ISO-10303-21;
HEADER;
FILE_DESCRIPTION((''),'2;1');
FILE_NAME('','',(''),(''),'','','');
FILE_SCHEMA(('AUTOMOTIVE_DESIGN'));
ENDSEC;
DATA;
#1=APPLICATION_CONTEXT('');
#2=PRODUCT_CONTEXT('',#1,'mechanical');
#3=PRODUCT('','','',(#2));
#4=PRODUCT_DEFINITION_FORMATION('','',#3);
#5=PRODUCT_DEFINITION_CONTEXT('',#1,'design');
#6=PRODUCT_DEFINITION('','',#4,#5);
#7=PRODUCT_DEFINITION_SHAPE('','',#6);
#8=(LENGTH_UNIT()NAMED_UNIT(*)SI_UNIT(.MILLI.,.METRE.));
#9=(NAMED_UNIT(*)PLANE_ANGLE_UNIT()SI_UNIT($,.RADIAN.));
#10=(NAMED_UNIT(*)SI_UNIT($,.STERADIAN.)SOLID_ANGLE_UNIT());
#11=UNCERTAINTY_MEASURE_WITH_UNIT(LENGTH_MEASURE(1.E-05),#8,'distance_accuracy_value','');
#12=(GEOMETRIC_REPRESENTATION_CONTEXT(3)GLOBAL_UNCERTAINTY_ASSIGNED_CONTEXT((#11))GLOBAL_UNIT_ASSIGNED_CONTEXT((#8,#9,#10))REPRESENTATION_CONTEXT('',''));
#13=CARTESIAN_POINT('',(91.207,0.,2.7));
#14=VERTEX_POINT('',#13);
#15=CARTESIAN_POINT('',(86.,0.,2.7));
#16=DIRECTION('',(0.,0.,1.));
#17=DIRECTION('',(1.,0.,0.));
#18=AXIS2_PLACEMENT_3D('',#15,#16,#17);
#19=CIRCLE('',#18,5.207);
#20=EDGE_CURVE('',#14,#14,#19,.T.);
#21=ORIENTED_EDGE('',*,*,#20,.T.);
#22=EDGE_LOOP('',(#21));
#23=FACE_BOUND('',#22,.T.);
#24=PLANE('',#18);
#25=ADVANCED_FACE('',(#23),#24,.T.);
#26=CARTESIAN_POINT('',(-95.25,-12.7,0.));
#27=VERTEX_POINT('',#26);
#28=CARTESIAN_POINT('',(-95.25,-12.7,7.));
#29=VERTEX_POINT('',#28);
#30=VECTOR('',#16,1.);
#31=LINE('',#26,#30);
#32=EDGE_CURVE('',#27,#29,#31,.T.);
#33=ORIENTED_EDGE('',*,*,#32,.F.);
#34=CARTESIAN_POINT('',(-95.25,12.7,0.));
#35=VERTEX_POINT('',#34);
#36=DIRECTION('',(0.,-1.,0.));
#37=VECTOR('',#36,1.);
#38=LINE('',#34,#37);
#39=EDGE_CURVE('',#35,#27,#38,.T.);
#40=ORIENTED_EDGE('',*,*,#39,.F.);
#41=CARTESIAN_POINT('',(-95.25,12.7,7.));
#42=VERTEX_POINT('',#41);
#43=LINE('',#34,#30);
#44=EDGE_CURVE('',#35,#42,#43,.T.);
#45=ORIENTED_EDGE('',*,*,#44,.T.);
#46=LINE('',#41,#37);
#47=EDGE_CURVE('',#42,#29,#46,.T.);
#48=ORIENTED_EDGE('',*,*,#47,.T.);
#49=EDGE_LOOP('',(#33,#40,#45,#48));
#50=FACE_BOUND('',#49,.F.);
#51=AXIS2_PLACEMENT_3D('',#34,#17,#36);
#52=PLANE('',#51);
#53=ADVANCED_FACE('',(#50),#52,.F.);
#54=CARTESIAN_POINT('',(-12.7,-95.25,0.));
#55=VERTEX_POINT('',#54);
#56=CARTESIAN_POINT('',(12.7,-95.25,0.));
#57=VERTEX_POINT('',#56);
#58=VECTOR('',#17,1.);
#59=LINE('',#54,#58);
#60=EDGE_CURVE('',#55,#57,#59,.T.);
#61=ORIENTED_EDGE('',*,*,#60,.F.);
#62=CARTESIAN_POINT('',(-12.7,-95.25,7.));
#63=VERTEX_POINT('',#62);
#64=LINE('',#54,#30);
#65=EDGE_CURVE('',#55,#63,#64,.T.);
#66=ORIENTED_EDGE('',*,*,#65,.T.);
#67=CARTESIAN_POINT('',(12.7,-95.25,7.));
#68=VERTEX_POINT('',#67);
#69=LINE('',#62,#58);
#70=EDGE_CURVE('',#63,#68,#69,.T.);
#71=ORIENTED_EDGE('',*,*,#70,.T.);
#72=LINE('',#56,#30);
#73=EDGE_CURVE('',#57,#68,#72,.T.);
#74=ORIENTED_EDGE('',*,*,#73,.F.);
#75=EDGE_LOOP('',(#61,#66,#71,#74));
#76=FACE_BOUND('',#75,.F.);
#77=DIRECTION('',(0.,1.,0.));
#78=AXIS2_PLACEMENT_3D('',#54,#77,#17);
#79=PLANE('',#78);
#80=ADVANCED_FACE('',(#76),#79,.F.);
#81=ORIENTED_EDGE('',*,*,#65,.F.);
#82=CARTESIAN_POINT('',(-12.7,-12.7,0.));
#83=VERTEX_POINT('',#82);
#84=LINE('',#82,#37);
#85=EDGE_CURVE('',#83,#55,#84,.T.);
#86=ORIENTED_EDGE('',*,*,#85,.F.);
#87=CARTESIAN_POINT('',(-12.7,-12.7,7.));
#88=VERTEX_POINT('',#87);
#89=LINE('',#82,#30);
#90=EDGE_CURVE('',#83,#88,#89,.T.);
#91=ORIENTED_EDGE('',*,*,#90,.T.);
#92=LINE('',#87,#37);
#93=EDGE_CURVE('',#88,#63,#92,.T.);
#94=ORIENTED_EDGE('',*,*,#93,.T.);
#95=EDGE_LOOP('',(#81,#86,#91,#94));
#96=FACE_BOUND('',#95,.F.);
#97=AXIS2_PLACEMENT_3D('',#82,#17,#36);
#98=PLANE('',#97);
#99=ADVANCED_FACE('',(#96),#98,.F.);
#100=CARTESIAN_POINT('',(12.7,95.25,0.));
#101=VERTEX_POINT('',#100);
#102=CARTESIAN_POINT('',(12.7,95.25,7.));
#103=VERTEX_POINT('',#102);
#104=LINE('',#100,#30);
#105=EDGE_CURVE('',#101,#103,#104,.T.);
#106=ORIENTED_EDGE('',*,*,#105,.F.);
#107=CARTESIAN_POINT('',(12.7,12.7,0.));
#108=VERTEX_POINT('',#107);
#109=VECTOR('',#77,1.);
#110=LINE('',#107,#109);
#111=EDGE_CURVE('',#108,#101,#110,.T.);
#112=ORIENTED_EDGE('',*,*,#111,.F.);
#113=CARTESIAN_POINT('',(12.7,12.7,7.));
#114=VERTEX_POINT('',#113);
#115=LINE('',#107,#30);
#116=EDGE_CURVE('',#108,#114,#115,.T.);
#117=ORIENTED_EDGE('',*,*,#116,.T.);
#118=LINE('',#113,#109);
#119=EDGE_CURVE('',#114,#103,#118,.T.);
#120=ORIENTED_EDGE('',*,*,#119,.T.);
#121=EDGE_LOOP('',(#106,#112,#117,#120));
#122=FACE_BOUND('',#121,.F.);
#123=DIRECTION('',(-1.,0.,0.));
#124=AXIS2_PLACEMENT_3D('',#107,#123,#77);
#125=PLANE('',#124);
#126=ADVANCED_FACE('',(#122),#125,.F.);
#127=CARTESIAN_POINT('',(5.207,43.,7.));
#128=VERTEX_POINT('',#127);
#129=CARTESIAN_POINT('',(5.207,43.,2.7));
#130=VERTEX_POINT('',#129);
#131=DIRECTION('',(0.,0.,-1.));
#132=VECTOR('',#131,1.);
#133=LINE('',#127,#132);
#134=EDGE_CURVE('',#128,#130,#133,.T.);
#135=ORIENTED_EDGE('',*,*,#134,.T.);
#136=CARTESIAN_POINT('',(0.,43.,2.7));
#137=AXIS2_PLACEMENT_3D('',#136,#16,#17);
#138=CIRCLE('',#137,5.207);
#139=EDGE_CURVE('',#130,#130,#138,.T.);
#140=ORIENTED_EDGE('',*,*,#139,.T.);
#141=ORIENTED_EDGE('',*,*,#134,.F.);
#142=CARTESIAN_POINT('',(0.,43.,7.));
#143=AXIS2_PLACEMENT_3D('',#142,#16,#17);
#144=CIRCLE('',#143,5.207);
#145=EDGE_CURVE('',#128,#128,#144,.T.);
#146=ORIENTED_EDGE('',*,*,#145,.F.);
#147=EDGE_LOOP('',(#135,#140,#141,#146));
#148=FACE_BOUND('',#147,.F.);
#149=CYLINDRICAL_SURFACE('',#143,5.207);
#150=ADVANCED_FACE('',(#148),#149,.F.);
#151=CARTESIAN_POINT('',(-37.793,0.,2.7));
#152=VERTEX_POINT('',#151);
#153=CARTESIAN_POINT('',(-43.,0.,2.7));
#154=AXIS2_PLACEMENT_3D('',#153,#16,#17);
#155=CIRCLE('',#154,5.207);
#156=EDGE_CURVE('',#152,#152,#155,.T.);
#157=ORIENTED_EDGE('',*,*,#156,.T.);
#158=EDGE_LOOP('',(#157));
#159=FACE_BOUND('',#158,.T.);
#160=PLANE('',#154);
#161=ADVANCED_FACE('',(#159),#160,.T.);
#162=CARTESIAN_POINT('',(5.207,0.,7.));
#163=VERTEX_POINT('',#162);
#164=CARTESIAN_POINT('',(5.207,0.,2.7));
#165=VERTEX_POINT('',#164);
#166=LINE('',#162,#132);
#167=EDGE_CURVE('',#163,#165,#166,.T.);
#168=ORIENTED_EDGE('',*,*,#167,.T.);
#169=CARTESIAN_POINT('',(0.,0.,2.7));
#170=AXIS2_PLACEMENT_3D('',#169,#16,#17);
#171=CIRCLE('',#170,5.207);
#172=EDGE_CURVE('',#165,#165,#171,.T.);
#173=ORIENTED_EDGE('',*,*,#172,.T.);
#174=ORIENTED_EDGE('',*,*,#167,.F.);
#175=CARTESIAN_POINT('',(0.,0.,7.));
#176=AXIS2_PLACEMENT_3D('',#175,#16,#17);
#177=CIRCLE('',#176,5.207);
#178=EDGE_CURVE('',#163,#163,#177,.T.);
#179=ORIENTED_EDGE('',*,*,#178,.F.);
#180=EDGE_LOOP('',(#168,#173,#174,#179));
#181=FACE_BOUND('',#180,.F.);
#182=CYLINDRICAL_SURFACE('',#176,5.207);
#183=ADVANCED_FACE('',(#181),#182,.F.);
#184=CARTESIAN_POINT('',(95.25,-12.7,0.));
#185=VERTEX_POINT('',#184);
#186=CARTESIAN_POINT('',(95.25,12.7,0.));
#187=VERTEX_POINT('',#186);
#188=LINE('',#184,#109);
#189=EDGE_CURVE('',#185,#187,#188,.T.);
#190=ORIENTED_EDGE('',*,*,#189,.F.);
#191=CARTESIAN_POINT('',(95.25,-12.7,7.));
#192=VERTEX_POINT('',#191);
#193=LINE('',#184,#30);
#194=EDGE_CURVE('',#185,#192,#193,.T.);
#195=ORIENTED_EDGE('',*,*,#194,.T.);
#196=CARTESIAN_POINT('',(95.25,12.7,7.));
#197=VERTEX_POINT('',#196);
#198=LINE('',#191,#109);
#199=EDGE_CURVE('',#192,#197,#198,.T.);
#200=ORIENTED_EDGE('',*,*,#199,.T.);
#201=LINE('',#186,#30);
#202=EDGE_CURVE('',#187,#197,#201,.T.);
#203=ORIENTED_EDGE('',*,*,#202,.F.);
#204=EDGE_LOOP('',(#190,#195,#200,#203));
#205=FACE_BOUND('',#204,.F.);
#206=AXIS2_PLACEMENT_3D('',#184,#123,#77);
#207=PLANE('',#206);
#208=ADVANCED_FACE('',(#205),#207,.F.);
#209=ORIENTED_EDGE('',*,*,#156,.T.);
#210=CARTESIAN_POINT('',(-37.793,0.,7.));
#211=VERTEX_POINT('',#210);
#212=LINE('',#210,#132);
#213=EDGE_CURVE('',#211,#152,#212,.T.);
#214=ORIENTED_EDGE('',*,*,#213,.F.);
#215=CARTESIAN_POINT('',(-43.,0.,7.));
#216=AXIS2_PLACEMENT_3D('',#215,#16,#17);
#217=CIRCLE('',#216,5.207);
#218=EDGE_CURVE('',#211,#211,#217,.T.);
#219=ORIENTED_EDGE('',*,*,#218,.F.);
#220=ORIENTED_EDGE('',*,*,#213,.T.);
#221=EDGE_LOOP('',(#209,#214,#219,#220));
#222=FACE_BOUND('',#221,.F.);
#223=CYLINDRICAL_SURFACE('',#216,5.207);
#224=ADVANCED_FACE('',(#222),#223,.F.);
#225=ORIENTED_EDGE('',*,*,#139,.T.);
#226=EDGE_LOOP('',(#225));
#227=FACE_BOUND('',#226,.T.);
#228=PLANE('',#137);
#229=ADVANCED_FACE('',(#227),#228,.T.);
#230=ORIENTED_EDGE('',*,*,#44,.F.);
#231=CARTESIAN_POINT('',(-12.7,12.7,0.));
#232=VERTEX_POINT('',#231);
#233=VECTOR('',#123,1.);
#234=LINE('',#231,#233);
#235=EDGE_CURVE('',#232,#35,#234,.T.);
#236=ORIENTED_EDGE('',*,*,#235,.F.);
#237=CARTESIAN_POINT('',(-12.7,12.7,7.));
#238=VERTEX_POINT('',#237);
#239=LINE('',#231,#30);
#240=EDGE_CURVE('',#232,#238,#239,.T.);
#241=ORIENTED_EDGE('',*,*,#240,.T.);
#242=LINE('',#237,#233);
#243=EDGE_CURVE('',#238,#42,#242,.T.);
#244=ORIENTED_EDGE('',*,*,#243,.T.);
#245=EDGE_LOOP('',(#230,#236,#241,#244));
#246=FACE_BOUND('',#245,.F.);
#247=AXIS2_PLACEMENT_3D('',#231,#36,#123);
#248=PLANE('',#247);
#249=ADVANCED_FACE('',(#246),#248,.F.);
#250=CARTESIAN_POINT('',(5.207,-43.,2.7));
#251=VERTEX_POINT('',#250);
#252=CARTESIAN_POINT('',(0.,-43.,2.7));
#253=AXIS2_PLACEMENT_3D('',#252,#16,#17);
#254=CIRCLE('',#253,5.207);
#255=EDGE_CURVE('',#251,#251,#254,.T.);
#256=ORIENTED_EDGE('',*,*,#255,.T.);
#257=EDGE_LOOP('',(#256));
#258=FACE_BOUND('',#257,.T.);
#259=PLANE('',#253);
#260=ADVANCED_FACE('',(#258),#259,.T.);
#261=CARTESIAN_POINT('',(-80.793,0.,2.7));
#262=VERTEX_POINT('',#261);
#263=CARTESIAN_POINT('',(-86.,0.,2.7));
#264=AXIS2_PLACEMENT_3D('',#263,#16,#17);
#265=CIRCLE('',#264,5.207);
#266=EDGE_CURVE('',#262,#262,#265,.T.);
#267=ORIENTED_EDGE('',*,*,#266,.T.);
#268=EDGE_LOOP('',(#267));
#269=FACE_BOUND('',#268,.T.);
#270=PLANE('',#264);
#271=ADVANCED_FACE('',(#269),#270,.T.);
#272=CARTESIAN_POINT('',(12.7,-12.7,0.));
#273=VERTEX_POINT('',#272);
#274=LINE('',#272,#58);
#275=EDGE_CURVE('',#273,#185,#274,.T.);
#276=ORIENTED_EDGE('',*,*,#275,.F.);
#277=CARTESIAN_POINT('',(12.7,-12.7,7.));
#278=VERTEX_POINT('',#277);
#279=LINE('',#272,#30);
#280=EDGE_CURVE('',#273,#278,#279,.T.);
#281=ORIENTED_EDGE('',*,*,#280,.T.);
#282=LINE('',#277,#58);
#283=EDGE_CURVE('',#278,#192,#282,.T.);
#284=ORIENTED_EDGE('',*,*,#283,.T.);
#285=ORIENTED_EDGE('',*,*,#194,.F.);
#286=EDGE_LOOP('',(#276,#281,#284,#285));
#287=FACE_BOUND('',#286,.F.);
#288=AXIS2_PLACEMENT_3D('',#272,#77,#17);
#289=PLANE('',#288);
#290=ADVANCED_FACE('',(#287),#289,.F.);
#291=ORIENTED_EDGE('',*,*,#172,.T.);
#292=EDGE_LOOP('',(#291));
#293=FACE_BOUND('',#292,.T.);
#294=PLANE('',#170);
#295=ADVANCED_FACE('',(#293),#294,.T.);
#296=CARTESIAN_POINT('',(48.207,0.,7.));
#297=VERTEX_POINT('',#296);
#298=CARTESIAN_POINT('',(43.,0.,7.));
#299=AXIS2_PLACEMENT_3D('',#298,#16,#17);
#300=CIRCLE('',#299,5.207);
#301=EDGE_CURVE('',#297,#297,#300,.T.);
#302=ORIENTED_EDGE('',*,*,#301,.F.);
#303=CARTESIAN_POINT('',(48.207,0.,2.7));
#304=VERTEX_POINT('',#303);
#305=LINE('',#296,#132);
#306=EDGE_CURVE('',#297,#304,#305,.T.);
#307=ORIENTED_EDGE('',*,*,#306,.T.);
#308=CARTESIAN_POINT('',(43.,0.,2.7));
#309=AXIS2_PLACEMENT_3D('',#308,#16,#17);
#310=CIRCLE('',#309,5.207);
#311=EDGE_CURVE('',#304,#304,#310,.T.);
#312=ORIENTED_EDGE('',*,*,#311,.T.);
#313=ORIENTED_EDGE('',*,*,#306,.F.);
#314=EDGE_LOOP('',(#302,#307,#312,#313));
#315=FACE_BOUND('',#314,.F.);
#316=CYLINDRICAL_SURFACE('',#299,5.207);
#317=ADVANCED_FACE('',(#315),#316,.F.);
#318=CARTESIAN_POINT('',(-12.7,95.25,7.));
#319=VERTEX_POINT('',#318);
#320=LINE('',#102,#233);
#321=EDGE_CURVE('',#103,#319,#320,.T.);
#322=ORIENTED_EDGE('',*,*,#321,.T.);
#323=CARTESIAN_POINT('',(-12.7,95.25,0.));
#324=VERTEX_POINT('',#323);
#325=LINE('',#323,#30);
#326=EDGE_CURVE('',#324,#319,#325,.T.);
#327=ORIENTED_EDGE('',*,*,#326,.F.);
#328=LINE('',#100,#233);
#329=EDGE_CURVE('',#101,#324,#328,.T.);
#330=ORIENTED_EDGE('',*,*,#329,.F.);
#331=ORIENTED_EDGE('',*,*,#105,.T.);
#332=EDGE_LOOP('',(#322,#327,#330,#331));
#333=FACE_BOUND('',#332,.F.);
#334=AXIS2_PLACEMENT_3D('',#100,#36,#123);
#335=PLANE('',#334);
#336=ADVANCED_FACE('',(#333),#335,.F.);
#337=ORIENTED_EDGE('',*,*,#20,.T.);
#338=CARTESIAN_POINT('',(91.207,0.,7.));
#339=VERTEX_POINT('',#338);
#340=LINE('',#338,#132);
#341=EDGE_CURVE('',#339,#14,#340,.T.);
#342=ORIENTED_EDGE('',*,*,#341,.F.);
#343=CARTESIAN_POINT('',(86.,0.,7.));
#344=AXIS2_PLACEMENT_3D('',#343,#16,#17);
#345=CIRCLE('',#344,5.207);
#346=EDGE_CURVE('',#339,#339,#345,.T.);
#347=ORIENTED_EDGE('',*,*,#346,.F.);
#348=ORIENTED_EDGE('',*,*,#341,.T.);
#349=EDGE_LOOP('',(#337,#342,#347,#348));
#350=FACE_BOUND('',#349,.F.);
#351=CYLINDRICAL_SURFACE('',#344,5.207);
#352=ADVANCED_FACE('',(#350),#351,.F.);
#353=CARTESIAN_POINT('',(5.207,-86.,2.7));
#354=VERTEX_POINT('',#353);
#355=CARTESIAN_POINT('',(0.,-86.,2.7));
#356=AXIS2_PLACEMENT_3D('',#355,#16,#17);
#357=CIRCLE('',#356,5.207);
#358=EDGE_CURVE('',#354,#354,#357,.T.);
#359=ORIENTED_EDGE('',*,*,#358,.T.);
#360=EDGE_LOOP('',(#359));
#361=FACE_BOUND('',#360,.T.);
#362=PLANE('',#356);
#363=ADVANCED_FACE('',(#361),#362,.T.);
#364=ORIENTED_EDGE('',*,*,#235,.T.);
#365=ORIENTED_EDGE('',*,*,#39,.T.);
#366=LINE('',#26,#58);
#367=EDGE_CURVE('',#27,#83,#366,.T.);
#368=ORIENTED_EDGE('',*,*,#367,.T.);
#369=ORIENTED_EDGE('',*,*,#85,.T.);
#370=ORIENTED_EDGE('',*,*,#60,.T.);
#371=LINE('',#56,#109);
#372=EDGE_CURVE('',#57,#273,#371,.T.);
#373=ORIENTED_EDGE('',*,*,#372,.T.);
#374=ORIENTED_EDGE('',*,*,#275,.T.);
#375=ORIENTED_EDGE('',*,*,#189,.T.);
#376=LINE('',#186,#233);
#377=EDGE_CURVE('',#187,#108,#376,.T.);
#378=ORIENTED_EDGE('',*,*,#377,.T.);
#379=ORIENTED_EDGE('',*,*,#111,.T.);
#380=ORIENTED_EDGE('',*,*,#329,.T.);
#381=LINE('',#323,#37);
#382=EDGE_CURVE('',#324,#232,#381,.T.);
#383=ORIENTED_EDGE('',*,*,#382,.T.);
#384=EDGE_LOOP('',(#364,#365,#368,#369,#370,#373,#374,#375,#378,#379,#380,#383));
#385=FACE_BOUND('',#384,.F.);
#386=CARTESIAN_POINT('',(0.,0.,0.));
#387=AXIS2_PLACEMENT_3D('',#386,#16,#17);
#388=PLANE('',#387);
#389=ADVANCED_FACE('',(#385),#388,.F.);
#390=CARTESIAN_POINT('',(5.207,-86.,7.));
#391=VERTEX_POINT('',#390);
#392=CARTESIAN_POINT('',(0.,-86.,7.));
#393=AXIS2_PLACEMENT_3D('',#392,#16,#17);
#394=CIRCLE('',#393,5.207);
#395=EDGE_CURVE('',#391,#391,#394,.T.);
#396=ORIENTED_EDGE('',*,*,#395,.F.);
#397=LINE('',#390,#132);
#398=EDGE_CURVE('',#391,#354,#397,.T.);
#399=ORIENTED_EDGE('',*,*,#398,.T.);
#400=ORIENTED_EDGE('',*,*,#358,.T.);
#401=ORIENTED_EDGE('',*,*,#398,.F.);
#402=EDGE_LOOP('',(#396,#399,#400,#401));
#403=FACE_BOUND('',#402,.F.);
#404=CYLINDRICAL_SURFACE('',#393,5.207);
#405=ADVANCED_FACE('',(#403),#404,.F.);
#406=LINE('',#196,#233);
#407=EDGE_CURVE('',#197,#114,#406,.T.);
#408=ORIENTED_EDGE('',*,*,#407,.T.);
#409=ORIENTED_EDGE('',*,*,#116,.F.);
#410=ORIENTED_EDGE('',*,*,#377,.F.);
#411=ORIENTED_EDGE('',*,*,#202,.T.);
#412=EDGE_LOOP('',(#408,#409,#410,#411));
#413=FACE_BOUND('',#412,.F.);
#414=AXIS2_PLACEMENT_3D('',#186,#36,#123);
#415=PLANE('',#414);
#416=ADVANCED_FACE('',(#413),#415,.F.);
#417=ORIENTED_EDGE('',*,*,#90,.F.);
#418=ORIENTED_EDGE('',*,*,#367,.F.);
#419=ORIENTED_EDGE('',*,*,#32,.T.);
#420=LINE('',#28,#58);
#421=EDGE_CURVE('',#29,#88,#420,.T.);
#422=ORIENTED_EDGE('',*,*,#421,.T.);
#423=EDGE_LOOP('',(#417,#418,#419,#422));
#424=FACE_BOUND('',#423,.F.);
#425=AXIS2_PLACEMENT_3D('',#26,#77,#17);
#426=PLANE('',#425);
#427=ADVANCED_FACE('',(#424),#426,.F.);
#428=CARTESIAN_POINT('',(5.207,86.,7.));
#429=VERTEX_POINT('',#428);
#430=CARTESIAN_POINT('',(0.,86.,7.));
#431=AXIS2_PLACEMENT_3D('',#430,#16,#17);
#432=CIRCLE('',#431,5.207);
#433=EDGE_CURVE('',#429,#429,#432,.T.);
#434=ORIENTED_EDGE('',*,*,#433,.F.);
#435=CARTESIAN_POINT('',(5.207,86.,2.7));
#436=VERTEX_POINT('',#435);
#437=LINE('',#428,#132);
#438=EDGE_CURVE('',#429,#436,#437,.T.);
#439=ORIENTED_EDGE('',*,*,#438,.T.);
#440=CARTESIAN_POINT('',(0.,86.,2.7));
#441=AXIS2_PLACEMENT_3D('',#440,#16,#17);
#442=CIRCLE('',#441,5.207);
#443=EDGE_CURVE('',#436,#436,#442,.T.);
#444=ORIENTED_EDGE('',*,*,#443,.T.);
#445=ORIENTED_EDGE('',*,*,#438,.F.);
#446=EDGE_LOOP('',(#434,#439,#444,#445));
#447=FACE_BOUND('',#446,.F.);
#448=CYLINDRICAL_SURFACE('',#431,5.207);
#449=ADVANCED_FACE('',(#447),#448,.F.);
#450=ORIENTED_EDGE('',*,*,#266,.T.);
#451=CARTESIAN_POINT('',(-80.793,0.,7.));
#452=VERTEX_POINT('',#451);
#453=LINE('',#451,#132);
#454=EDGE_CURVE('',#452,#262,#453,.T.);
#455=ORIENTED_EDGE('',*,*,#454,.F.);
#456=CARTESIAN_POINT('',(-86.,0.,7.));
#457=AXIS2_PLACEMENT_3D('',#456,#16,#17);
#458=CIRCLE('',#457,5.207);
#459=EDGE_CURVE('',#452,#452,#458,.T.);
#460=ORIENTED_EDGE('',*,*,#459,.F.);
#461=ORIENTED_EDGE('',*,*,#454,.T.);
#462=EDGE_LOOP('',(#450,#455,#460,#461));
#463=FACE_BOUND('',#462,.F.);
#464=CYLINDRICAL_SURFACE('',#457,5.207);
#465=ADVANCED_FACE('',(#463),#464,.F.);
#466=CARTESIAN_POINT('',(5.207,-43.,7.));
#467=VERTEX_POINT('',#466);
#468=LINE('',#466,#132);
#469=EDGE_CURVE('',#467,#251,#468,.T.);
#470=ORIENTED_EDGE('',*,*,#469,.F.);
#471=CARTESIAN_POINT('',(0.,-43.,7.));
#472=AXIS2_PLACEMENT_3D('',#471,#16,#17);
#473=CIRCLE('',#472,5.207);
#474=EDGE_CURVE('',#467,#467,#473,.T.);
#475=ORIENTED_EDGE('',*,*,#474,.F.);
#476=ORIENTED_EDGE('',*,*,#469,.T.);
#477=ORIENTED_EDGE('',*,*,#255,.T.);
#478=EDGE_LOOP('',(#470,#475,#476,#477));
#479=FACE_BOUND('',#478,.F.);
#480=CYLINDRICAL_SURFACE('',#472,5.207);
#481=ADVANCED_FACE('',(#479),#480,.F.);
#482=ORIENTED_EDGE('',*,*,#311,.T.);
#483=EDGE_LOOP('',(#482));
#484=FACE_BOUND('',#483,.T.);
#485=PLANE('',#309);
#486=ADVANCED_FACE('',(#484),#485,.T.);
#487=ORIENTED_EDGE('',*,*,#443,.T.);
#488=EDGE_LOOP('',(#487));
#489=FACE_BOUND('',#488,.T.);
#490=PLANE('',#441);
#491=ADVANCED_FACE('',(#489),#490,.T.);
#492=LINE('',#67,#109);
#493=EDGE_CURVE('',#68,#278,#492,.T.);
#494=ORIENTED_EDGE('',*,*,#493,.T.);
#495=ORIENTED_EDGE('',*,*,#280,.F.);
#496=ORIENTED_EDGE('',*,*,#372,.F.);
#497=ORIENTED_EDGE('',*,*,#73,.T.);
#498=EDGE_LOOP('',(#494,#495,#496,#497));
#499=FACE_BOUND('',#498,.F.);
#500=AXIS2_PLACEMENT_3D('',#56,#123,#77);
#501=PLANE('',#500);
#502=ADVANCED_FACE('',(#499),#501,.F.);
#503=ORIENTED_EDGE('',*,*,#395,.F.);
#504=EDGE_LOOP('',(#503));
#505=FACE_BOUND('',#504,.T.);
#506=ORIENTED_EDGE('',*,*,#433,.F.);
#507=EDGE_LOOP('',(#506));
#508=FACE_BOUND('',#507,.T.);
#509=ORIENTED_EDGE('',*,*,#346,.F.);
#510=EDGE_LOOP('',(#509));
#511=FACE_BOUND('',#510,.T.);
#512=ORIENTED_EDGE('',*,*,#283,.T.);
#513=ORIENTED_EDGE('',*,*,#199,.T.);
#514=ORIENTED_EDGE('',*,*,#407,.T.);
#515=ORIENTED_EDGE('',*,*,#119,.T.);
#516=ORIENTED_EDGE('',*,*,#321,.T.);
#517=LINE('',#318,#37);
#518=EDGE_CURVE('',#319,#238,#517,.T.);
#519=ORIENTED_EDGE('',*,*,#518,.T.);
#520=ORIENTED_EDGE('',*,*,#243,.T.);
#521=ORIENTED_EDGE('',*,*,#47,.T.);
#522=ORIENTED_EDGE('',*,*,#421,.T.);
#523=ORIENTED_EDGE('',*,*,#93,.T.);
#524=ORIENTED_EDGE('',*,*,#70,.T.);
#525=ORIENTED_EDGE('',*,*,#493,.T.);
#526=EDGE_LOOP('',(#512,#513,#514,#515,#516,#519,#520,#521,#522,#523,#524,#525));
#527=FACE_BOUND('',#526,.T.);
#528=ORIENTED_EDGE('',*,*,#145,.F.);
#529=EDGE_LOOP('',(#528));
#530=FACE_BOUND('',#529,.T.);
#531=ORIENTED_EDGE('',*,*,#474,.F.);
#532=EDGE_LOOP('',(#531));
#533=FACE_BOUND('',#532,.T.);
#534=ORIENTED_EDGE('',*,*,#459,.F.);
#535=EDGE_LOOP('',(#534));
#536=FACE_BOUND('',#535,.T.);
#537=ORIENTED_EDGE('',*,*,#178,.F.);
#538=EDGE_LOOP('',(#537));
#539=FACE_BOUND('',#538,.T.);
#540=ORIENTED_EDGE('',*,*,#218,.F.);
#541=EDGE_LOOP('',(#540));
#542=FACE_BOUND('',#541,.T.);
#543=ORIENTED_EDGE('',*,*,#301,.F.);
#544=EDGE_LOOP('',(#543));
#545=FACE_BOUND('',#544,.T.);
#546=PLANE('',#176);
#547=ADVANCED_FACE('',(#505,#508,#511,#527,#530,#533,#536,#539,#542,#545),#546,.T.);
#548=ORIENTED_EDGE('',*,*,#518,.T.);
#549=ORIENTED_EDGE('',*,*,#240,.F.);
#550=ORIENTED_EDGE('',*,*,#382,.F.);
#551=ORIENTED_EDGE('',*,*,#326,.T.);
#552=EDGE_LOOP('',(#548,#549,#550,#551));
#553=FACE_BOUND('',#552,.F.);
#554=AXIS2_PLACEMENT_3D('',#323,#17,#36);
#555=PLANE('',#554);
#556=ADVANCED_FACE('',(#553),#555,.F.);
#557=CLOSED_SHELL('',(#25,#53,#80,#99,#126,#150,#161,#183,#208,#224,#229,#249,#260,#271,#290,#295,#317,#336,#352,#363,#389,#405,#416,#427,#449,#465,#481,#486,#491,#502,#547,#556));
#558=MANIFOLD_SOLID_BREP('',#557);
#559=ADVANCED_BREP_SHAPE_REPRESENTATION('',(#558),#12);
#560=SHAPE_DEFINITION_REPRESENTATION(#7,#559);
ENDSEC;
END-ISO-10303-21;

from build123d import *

# Parameters (mm, degrees)
F1_DEPTH = 7
F2_R     = 5.207
F3_DEPTH = 4.3


with BuildPart() as f1:
    # F0 (on Top) → F1 (new body)
    with BuildSketch(Plane.XY):
        Polygon((-95.25, 12.7), (-95.25, -12.7), (-12.7, -12.7), (-12.7, -95.25), (12.7, -95.25), (12.7, -12.7), (95.25, -12.7), (95.25, 12.7), (12.7, 12.7), (12.7, 95.25), (-12.7, 95.25), (-12.7, 12.7), align=None)
    extrude(amount=F1_DEPTH)

    # F2 (on face) → F3 (cut)
    with BuildSketch(Plane.XY.offset(7)):
        Circle(F2_R)
        with Locations((-43, 0)):
            Circle(F2_R)
        with Locations((-86, 0)):
            Circle(F2_R)
        with Locations((86, 0)):
            Circle(F2_R)
        with Locations((43, 0)):
            Circle(F2_R)
        with Locations((0, -86)):
            Circle(F2_R)
        with Locations((0, -43)):
            Circle(F2_R)
        with Locations((0, 43)):
            Circle(F2_R)
        with Locations((0, 86)):
            Circle(F2_R)
    extrude(amount=-F3_DEPTH, mode=Mode.SUBTRACT)


solid = f1.part
